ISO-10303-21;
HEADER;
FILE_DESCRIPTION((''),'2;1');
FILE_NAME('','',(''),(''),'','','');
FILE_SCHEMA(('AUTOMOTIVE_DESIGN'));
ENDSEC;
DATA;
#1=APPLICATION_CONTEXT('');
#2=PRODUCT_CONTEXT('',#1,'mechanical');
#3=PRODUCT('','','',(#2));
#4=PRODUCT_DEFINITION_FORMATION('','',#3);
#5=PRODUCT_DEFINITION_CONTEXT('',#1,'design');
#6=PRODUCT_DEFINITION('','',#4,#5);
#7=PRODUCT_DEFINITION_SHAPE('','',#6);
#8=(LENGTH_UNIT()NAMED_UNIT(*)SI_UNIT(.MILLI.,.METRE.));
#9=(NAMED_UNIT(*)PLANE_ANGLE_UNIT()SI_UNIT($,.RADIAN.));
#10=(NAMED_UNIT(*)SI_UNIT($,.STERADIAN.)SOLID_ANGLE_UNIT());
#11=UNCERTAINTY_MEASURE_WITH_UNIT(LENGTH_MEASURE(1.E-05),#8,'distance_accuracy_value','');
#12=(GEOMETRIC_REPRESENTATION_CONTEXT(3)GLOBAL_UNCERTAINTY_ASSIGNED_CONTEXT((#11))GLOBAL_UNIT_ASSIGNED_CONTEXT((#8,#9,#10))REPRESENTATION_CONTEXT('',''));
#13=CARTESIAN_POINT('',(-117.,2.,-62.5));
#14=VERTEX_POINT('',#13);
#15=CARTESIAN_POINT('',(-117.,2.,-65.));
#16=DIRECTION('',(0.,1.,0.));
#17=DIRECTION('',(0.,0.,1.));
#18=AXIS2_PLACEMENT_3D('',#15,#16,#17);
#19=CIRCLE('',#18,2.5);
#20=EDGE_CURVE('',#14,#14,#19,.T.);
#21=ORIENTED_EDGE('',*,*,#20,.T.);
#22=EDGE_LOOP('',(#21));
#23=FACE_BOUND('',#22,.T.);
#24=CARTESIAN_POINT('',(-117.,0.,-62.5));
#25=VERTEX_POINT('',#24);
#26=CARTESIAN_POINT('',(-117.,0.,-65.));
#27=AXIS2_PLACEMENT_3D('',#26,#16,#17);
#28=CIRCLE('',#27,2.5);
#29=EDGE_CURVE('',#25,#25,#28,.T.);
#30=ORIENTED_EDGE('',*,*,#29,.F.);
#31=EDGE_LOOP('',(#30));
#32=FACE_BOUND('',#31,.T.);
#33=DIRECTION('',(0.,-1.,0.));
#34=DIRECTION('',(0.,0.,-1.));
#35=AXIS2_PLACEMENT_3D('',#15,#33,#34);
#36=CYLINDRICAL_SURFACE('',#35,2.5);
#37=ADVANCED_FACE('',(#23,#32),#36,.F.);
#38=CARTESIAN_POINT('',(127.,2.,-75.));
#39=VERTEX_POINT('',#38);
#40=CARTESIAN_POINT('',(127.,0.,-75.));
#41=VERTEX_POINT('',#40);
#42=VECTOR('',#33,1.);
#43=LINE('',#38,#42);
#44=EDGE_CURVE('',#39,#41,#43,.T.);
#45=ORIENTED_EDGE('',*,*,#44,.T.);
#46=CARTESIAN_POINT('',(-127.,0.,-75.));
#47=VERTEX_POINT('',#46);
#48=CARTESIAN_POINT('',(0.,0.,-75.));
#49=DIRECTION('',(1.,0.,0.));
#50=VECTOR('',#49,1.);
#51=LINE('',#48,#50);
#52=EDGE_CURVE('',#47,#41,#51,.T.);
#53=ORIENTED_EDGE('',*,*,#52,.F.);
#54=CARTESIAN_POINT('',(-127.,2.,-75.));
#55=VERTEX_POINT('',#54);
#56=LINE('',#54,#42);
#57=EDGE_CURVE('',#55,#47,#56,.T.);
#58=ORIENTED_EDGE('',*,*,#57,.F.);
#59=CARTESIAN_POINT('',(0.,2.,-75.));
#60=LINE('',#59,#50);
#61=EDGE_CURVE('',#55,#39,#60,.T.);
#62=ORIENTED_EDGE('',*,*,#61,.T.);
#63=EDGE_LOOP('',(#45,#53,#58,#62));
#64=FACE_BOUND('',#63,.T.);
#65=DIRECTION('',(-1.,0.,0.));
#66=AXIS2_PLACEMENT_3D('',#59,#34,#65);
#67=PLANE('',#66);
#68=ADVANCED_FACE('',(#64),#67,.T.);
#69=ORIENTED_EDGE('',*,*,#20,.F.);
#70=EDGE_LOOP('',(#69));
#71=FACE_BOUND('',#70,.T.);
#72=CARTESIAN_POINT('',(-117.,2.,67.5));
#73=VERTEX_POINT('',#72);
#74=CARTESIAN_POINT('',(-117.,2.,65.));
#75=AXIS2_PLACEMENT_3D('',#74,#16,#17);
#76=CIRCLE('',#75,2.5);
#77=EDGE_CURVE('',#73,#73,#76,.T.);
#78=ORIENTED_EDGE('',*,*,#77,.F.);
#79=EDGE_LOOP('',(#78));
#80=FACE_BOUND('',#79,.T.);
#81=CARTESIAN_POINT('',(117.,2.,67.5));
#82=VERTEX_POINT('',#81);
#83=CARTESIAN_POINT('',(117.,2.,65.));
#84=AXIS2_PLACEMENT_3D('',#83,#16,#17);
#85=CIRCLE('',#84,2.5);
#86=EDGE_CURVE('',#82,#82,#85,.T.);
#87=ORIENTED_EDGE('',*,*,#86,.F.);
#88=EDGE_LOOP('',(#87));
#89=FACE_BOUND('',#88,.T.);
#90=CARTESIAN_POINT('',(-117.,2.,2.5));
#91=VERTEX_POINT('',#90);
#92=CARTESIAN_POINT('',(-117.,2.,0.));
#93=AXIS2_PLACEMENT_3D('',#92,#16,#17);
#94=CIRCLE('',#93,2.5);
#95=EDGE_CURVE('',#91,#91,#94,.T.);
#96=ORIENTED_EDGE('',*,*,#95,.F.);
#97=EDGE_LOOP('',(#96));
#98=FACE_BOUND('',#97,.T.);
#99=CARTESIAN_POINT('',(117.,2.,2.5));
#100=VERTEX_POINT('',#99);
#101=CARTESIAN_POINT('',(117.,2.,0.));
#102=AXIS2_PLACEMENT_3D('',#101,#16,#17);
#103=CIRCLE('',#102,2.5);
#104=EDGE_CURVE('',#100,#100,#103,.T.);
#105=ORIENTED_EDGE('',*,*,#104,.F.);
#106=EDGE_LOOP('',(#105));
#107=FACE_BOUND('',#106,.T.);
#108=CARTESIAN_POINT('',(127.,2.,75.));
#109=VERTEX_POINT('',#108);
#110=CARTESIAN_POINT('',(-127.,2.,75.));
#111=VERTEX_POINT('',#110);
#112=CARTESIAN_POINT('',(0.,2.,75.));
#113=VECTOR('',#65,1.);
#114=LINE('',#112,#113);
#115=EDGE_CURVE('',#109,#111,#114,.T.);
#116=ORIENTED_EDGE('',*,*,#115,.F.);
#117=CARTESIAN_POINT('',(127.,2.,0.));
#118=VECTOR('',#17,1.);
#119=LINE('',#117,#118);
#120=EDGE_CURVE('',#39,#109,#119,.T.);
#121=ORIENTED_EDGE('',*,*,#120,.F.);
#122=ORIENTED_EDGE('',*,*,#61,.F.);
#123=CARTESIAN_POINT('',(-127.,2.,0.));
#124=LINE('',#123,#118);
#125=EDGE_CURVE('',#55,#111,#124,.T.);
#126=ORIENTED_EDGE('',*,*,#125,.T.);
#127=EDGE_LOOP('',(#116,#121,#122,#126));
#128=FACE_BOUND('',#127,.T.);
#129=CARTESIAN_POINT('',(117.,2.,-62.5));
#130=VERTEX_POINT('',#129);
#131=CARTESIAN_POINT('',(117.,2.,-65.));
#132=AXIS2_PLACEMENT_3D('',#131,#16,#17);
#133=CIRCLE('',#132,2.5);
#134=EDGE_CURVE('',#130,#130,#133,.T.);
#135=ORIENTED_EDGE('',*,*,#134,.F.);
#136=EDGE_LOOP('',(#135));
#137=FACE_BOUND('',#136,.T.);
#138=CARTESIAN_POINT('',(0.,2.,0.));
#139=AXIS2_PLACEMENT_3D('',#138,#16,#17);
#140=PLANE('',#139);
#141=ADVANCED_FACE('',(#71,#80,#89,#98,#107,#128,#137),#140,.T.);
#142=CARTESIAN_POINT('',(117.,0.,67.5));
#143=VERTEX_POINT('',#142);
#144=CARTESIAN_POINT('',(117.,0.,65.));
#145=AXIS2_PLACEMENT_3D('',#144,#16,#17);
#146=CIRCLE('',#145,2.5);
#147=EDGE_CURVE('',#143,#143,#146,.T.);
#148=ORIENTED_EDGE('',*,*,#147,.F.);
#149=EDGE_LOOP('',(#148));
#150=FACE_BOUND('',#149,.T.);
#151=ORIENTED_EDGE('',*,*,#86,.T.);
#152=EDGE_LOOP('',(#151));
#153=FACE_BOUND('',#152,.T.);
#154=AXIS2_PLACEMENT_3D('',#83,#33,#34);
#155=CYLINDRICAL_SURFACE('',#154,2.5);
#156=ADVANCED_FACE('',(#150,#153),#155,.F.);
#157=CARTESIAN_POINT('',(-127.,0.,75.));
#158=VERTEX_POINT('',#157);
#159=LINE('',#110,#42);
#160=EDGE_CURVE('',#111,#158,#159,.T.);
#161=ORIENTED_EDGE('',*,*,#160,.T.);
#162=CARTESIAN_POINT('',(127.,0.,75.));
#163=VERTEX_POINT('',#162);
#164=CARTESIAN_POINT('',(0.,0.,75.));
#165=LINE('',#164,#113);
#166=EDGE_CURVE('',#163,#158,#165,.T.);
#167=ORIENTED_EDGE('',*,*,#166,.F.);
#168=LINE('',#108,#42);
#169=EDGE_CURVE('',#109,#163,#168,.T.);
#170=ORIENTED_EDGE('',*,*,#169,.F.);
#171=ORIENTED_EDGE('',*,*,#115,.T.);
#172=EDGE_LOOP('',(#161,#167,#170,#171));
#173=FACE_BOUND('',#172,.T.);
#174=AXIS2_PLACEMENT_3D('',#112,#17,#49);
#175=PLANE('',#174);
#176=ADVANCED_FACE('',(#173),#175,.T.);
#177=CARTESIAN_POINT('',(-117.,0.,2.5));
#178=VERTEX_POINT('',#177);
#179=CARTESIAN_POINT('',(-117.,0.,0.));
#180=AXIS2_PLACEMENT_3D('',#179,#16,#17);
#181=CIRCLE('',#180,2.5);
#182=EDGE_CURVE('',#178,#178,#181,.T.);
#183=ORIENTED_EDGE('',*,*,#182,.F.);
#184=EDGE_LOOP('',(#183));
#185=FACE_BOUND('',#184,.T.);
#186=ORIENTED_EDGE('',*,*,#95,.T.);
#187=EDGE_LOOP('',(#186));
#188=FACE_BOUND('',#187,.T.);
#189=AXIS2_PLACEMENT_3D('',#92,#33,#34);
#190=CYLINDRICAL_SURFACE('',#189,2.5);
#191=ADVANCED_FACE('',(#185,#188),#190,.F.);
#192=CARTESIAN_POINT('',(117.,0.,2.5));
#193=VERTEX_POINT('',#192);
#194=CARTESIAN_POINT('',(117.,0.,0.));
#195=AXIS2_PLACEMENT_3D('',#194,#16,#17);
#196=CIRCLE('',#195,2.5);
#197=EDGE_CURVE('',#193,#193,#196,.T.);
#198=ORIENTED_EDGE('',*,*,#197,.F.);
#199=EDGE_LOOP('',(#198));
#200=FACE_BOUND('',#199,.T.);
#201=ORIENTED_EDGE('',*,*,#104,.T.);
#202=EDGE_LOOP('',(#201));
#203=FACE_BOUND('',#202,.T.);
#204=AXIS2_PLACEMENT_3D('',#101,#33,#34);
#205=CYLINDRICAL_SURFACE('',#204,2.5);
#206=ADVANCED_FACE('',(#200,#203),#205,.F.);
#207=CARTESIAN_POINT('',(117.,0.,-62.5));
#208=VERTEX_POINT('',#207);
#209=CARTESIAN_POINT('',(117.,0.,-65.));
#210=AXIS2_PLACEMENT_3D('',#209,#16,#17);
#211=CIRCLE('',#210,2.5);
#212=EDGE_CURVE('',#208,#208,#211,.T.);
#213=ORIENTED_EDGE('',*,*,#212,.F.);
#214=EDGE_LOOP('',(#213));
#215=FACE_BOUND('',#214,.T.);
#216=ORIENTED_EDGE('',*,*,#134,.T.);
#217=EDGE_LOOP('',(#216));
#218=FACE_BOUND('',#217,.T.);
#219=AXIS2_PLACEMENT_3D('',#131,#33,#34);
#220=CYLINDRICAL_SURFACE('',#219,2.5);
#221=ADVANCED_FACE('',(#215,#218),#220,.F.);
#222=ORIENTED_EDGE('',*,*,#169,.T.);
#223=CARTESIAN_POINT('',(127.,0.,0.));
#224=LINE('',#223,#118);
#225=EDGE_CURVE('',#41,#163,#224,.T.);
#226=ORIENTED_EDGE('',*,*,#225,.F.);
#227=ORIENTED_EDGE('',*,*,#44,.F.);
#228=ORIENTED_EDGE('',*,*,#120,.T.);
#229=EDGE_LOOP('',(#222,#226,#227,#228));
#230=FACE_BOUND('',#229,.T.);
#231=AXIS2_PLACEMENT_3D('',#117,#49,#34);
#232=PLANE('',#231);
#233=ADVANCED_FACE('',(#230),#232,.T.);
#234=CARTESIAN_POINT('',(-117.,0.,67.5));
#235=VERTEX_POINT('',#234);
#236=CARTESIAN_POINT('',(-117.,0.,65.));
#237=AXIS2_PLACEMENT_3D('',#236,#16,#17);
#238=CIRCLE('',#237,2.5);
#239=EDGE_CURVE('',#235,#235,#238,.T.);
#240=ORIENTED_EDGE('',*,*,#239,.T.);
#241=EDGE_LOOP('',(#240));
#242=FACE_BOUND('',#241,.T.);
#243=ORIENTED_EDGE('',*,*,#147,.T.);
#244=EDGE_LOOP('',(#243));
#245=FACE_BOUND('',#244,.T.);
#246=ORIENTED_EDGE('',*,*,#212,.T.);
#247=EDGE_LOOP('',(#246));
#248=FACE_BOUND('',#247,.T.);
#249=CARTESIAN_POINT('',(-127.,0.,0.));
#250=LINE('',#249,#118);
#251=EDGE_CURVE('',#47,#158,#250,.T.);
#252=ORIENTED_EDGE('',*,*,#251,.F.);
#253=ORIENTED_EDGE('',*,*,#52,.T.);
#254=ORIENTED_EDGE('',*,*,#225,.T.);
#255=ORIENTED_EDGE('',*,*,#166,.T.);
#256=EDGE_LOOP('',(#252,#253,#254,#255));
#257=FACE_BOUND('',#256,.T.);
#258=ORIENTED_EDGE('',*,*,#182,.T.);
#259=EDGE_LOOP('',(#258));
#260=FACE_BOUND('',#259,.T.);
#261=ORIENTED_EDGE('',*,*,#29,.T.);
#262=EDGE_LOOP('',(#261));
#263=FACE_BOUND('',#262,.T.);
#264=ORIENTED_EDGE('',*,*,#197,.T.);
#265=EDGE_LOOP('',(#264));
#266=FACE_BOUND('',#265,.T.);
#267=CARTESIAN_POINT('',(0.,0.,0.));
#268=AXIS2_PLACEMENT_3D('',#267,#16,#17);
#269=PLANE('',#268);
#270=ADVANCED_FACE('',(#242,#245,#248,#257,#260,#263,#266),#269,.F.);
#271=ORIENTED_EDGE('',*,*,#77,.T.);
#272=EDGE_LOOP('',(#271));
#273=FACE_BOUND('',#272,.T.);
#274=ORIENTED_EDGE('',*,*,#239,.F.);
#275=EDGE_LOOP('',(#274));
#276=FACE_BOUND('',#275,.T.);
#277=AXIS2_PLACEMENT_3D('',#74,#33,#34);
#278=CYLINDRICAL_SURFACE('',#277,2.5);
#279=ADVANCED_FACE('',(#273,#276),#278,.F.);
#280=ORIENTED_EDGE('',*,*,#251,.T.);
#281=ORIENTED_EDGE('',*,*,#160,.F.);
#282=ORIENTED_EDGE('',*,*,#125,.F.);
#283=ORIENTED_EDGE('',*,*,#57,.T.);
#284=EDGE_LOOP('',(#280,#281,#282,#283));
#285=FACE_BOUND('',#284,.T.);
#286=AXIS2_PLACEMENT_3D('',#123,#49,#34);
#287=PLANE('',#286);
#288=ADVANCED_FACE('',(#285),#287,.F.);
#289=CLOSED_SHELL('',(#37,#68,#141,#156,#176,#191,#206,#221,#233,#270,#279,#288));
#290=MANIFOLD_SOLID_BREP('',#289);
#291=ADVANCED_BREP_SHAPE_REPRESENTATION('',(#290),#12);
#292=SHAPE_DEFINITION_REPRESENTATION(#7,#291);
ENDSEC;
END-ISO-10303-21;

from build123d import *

# Parameters (mm, degrees)
SZKIC1_W                    = 254
SZKIC1_H                    = 150
SZKIC1_R                    = 2.5
DODANIE_WYCI_GNI_CIE1_DEPTH = 2


with BuildPart() as part:
    # Szkic1 → Dodanie-wyciągnięcie1 (new body)
    with BuildSketch(Plane(origin=(0, 0, 0), x_dir=(1, 0, 0), z_dir=(0, 1, 0))):
        Rectangle(SZKIC1_W, SZKIC1_H)
        with Locations((-117, -65)):
            Circle(SZKIC1_R, mode=Mode.SUBTRACT)
        with Locations((117, -65)):
            Circle(SZKIC1_R, mode=Mode.SUBTRACT)
        with Locations((-117, 0)):
            Circle(SZKIC1_R, mode=Mode.SUBTRACT)
        with Locations((-117, 65)):
            Circle(SZKIC1_R, mode=Mode.SUBTRACT)
        with Locations((117, 0)):
            Circle(SZKIC1_R, mode=Mode.SUBTRACT)
        with Locations((117, 65)):
            Circle(SZKIC1_R, mode=Mode.SUBTRACT)
    extrude(amount=DODANIE_WYCI_GNI_CIE1_DEPTH)


solid = part.part
